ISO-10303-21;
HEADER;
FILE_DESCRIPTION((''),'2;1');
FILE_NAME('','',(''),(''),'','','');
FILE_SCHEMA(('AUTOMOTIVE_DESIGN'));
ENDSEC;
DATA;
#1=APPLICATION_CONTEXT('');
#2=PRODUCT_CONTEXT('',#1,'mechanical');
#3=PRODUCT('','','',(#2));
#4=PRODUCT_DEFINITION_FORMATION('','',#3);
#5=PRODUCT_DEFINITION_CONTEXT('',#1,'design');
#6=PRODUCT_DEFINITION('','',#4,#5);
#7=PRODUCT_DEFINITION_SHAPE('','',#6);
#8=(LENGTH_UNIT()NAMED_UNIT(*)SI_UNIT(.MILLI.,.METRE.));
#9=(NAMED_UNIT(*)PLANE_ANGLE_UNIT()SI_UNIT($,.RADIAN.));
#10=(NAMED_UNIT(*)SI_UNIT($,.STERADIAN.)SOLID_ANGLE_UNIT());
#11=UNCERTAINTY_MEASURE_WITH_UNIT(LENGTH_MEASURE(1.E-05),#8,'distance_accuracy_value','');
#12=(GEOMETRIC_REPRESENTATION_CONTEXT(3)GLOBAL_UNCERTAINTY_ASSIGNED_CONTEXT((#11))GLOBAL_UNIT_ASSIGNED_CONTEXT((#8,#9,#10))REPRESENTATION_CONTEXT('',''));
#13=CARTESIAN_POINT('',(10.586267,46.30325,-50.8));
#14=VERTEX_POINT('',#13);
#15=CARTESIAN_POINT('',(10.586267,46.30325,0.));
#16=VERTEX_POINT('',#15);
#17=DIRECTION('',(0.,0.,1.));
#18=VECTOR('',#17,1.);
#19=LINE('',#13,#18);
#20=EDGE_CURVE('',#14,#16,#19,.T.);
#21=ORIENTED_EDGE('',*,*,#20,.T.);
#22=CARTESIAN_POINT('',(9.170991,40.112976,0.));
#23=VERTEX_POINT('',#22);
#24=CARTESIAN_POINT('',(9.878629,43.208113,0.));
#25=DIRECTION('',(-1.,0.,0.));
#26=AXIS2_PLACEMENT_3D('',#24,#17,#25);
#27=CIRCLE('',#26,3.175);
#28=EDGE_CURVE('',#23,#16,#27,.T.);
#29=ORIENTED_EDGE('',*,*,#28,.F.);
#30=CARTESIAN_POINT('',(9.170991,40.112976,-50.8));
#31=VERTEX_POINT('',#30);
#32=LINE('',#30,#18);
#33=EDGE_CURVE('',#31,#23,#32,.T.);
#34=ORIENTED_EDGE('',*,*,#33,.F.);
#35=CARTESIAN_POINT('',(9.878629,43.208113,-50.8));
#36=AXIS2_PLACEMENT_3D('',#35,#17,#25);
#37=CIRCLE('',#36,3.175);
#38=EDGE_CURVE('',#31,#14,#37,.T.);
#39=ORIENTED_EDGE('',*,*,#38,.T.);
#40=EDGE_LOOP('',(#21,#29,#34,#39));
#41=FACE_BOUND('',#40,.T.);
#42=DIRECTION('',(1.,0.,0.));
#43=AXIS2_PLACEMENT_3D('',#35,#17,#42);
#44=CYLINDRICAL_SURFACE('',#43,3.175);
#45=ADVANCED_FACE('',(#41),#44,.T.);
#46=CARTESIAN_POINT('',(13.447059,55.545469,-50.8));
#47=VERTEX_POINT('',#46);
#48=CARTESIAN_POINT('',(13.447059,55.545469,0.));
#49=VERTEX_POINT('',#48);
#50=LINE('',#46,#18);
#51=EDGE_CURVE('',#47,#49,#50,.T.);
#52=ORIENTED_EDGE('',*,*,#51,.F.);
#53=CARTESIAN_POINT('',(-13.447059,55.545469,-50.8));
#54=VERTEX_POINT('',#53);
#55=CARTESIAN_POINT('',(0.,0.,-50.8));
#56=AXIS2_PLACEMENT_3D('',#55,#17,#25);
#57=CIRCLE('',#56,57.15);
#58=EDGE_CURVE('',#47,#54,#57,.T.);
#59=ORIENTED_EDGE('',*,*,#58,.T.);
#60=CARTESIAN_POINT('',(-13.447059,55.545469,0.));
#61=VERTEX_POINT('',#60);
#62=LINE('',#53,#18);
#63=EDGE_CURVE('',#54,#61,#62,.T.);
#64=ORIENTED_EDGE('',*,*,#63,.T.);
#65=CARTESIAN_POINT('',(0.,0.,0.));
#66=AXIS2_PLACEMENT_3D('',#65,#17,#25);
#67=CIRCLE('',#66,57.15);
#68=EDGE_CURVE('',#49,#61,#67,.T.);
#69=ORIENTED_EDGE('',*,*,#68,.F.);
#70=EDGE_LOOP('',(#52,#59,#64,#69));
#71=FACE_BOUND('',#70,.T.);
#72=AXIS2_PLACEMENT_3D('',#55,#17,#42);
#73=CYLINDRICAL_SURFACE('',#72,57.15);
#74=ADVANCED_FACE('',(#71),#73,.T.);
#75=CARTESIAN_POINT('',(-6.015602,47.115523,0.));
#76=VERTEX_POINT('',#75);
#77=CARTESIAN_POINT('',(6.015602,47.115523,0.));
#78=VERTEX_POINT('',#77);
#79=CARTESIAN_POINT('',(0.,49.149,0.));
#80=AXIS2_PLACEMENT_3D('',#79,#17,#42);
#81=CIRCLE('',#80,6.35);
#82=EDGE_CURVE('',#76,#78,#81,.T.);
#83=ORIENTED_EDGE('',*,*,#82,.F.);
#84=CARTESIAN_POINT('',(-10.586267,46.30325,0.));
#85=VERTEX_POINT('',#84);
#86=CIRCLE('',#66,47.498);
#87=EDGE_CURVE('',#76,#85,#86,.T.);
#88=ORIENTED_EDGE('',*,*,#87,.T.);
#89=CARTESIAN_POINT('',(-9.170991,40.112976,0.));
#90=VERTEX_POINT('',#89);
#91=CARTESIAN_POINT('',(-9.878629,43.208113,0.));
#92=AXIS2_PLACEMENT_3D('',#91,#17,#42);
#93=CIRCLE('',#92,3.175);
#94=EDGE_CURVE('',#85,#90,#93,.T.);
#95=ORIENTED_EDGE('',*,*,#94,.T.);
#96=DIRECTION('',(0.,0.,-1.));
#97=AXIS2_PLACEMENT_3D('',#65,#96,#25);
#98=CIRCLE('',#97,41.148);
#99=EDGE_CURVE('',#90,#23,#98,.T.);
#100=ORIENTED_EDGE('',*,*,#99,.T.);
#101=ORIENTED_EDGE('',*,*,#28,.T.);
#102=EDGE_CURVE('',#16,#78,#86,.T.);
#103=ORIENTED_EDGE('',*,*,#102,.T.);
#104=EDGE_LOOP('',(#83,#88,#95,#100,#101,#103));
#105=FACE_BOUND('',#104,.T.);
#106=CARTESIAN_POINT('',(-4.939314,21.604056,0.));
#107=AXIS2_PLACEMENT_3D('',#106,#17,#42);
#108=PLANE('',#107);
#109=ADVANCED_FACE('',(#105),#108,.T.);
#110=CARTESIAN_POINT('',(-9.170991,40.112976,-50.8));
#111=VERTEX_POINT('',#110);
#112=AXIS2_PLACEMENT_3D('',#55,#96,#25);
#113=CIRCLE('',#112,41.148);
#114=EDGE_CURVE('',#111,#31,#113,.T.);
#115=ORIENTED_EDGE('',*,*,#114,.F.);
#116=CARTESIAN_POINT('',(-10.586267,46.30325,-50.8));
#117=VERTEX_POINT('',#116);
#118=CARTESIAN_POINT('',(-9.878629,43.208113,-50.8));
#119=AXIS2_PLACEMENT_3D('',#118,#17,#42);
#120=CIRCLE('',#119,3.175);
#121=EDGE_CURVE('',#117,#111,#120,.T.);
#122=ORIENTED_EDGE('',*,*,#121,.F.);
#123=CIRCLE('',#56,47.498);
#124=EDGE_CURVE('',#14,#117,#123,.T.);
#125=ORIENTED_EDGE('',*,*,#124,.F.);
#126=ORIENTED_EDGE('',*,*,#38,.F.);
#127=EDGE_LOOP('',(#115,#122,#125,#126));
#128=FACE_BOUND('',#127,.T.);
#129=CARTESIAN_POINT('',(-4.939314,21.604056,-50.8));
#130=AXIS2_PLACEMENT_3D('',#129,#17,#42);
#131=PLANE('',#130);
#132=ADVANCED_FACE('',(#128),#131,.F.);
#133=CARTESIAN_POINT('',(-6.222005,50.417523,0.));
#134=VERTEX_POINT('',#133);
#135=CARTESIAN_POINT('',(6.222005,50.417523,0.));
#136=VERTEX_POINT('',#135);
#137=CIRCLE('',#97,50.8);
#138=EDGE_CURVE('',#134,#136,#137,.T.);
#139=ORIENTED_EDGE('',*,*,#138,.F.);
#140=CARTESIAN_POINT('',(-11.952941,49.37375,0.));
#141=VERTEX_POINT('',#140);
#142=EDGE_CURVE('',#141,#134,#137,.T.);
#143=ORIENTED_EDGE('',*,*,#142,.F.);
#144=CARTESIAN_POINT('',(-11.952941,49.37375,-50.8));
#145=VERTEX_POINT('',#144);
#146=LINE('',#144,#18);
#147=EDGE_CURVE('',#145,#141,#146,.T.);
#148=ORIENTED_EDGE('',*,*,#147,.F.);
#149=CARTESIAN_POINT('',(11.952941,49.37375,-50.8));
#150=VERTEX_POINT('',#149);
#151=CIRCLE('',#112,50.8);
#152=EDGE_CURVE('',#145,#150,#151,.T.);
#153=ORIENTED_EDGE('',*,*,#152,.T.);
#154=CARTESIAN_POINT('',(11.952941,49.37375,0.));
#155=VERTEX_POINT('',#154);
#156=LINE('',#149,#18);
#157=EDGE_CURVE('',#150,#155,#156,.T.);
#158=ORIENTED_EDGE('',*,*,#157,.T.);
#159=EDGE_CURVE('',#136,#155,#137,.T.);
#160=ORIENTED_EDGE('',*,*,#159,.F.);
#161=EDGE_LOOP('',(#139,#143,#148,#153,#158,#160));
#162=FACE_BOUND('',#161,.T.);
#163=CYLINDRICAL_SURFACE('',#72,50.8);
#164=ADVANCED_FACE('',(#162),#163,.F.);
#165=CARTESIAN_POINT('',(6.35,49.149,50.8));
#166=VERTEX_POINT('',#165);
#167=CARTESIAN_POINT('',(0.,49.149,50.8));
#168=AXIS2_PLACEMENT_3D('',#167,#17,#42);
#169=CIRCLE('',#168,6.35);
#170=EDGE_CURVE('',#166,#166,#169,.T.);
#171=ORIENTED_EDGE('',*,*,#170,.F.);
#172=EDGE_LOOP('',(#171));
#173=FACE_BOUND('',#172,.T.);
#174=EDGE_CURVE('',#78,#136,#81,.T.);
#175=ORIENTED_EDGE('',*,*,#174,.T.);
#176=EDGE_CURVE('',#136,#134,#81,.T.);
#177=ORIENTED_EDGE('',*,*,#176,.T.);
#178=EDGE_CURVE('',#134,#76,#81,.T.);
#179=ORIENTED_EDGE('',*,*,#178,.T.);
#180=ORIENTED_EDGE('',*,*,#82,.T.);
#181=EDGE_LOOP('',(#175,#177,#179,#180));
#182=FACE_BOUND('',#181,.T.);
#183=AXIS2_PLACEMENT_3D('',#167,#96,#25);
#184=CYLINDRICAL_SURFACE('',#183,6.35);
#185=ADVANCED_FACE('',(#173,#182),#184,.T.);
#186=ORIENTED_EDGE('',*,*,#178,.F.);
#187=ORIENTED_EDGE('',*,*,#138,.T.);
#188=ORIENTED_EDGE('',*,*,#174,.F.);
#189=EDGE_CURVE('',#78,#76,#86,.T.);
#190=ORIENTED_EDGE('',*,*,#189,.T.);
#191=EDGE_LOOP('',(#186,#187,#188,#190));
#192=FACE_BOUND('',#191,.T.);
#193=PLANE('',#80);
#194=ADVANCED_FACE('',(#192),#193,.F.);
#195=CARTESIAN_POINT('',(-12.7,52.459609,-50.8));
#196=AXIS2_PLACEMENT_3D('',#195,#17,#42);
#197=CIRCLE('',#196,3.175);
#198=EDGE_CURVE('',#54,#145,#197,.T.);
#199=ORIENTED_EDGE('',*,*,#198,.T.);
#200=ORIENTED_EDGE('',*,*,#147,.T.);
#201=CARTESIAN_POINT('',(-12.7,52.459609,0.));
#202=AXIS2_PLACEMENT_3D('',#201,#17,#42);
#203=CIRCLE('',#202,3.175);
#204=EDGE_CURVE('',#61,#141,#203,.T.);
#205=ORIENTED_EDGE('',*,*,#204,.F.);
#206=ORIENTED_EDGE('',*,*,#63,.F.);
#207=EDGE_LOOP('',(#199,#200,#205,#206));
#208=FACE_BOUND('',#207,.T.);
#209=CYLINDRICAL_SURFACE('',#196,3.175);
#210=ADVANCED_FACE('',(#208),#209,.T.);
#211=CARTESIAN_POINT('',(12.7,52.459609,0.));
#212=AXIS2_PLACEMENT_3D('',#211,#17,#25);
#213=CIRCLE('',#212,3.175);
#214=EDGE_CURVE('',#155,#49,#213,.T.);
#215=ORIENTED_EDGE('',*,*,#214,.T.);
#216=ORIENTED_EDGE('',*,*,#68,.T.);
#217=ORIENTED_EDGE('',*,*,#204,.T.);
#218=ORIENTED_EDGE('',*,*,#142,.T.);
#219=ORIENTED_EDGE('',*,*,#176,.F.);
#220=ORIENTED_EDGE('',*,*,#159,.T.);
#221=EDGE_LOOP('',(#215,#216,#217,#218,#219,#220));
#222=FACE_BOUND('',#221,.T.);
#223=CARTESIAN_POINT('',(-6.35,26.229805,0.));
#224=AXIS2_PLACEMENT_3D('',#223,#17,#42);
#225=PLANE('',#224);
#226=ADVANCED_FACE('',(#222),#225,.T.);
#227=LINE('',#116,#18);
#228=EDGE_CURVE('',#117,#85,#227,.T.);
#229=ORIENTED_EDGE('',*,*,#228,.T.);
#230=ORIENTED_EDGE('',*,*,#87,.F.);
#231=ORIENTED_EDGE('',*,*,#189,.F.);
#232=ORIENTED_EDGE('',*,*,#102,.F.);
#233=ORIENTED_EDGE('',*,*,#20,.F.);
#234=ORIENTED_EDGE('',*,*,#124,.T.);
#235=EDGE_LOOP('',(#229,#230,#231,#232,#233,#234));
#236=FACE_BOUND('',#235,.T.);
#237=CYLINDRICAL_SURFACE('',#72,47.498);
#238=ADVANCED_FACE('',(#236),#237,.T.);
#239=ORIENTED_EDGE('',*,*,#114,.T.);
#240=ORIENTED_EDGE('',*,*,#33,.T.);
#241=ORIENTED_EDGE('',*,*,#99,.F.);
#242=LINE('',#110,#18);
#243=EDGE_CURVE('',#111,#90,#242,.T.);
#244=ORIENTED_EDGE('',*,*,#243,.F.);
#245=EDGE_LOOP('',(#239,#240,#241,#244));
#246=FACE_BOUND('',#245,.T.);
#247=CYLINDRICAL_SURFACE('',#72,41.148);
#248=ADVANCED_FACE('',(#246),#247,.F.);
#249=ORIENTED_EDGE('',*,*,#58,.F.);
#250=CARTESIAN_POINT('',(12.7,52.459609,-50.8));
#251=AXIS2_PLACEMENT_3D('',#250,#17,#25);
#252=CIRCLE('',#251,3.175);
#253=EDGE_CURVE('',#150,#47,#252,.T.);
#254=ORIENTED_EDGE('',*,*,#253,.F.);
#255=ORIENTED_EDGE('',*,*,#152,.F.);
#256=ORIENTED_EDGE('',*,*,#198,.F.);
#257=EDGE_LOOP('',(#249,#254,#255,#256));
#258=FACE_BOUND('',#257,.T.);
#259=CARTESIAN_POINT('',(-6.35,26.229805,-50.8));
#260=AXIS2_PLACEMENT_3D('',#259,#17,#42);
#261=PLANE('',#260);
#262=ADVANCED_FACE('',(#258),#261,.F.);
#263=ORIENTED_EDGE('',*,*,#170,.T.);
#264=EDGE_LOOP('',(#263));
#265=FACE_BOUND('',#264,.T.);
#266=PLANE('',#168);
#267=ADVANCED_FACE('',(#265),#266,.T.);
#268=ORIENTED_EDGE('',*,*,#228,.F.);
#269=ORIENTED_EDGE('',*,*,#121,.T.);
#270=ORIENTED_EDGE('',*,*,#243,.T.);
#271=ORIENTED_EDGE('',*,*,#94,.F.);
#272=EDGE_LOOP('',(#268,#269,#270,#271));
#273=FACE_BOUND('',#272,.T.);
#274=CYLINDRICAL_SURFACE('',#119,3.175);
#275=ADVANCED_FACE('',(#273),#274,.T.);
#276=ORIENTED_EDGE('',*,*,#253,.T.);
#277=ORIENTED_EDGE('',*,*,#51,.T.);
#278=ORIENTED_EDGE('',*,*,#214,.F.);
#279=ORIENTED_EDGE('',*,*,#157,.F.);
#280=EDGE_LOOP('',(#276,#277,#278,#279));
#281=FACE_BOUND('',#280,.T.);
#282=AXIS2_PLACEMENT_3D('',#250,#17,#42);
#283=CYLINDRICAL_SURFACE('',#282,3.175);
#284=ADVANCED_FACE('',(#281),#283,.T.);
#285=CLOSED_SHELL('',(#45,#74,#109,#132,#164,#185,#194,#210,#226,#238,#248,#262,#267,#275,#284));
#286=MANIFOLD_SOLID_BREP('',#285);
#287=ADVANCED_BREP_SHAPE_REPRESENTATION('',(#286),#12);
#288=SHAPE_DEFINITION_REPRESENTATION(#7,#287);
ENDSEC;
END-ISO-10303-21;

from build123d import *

# Parameters (mm, degrees)
BOSS_EXTRUDE1_DEPTH   = 50.8
BOSS_EXTRUDE1_2_DEPTH = 50.8
SKETCH2_R             = 6.35
BOSS_EXTRUDE2_DEPTH   = 50.8


with BuildPart() as part:
    # Sketch1 → Boss-Extrude1 (new body)
    with BuildSketch(Plane.XY):
        with BuildLine():
            ThreePointArc((-11.952941176, 49.373750083), (0, 50.8), (11.952941176, 49.373750083))
            ThreePointArc((11.952941176, 49.373750083), (15.78585938, 51.712550639), (13.447058824, 55.545468843))
            ThreePointArc((13.447058824, 55.545468843), (0, 57.15), (-13.447058824, 55.545468843))
            ThreePointArc((-13.447058824, 55.545468843), (-15.78585938, 51.712550639), (-11.952941176, 49.373750083))
        make_face()
    extrude(amount=-BOSS_EXTRUDE1_DEPTH)



with BuildPart() as body_2:
    # Sketch1 → Boss-Extrude1 2 (new body)
    with BuildSketch(Plane.XY):
        with BuildLine():
            ThreePointArc((-10.586266882, 46.303249967), (0, 47.498), (10.586266882, 46.303249967))
            ThreePointArc((10.586266882, 46.303249967), (12.973765752, 42.500474776), (9.170990561, 40.112975907))
            ThreePointArc((9.170990561, 40.112975907), (0, 41.148), (-9.170990561, 40.112975907))
            ThreePointArc((-9.170990561, 40.112975907), (-12.973765752, 42.500474776), (-10.586266882, 46.303249967))
        make_face()
    extrude(amount=-BOSS_EXTRUDE1_2_DEPTH)


with BuildPart() as part_1:
    add(part.part)

    add(body_2.part)  # Boss-Extrude2 merges body 2
    # Sketch2 → Boss-Extrude2 (add)
    with BuildSketch(Plane.XY):
        with Locations(Location((0, 49.149, 0), (0, 0, 168.476640001))):
            Circle(SKETCH2_R)
    extrude(amount=BOSS_EXTRUDE2_DEPTH)


solid = part_1.part
